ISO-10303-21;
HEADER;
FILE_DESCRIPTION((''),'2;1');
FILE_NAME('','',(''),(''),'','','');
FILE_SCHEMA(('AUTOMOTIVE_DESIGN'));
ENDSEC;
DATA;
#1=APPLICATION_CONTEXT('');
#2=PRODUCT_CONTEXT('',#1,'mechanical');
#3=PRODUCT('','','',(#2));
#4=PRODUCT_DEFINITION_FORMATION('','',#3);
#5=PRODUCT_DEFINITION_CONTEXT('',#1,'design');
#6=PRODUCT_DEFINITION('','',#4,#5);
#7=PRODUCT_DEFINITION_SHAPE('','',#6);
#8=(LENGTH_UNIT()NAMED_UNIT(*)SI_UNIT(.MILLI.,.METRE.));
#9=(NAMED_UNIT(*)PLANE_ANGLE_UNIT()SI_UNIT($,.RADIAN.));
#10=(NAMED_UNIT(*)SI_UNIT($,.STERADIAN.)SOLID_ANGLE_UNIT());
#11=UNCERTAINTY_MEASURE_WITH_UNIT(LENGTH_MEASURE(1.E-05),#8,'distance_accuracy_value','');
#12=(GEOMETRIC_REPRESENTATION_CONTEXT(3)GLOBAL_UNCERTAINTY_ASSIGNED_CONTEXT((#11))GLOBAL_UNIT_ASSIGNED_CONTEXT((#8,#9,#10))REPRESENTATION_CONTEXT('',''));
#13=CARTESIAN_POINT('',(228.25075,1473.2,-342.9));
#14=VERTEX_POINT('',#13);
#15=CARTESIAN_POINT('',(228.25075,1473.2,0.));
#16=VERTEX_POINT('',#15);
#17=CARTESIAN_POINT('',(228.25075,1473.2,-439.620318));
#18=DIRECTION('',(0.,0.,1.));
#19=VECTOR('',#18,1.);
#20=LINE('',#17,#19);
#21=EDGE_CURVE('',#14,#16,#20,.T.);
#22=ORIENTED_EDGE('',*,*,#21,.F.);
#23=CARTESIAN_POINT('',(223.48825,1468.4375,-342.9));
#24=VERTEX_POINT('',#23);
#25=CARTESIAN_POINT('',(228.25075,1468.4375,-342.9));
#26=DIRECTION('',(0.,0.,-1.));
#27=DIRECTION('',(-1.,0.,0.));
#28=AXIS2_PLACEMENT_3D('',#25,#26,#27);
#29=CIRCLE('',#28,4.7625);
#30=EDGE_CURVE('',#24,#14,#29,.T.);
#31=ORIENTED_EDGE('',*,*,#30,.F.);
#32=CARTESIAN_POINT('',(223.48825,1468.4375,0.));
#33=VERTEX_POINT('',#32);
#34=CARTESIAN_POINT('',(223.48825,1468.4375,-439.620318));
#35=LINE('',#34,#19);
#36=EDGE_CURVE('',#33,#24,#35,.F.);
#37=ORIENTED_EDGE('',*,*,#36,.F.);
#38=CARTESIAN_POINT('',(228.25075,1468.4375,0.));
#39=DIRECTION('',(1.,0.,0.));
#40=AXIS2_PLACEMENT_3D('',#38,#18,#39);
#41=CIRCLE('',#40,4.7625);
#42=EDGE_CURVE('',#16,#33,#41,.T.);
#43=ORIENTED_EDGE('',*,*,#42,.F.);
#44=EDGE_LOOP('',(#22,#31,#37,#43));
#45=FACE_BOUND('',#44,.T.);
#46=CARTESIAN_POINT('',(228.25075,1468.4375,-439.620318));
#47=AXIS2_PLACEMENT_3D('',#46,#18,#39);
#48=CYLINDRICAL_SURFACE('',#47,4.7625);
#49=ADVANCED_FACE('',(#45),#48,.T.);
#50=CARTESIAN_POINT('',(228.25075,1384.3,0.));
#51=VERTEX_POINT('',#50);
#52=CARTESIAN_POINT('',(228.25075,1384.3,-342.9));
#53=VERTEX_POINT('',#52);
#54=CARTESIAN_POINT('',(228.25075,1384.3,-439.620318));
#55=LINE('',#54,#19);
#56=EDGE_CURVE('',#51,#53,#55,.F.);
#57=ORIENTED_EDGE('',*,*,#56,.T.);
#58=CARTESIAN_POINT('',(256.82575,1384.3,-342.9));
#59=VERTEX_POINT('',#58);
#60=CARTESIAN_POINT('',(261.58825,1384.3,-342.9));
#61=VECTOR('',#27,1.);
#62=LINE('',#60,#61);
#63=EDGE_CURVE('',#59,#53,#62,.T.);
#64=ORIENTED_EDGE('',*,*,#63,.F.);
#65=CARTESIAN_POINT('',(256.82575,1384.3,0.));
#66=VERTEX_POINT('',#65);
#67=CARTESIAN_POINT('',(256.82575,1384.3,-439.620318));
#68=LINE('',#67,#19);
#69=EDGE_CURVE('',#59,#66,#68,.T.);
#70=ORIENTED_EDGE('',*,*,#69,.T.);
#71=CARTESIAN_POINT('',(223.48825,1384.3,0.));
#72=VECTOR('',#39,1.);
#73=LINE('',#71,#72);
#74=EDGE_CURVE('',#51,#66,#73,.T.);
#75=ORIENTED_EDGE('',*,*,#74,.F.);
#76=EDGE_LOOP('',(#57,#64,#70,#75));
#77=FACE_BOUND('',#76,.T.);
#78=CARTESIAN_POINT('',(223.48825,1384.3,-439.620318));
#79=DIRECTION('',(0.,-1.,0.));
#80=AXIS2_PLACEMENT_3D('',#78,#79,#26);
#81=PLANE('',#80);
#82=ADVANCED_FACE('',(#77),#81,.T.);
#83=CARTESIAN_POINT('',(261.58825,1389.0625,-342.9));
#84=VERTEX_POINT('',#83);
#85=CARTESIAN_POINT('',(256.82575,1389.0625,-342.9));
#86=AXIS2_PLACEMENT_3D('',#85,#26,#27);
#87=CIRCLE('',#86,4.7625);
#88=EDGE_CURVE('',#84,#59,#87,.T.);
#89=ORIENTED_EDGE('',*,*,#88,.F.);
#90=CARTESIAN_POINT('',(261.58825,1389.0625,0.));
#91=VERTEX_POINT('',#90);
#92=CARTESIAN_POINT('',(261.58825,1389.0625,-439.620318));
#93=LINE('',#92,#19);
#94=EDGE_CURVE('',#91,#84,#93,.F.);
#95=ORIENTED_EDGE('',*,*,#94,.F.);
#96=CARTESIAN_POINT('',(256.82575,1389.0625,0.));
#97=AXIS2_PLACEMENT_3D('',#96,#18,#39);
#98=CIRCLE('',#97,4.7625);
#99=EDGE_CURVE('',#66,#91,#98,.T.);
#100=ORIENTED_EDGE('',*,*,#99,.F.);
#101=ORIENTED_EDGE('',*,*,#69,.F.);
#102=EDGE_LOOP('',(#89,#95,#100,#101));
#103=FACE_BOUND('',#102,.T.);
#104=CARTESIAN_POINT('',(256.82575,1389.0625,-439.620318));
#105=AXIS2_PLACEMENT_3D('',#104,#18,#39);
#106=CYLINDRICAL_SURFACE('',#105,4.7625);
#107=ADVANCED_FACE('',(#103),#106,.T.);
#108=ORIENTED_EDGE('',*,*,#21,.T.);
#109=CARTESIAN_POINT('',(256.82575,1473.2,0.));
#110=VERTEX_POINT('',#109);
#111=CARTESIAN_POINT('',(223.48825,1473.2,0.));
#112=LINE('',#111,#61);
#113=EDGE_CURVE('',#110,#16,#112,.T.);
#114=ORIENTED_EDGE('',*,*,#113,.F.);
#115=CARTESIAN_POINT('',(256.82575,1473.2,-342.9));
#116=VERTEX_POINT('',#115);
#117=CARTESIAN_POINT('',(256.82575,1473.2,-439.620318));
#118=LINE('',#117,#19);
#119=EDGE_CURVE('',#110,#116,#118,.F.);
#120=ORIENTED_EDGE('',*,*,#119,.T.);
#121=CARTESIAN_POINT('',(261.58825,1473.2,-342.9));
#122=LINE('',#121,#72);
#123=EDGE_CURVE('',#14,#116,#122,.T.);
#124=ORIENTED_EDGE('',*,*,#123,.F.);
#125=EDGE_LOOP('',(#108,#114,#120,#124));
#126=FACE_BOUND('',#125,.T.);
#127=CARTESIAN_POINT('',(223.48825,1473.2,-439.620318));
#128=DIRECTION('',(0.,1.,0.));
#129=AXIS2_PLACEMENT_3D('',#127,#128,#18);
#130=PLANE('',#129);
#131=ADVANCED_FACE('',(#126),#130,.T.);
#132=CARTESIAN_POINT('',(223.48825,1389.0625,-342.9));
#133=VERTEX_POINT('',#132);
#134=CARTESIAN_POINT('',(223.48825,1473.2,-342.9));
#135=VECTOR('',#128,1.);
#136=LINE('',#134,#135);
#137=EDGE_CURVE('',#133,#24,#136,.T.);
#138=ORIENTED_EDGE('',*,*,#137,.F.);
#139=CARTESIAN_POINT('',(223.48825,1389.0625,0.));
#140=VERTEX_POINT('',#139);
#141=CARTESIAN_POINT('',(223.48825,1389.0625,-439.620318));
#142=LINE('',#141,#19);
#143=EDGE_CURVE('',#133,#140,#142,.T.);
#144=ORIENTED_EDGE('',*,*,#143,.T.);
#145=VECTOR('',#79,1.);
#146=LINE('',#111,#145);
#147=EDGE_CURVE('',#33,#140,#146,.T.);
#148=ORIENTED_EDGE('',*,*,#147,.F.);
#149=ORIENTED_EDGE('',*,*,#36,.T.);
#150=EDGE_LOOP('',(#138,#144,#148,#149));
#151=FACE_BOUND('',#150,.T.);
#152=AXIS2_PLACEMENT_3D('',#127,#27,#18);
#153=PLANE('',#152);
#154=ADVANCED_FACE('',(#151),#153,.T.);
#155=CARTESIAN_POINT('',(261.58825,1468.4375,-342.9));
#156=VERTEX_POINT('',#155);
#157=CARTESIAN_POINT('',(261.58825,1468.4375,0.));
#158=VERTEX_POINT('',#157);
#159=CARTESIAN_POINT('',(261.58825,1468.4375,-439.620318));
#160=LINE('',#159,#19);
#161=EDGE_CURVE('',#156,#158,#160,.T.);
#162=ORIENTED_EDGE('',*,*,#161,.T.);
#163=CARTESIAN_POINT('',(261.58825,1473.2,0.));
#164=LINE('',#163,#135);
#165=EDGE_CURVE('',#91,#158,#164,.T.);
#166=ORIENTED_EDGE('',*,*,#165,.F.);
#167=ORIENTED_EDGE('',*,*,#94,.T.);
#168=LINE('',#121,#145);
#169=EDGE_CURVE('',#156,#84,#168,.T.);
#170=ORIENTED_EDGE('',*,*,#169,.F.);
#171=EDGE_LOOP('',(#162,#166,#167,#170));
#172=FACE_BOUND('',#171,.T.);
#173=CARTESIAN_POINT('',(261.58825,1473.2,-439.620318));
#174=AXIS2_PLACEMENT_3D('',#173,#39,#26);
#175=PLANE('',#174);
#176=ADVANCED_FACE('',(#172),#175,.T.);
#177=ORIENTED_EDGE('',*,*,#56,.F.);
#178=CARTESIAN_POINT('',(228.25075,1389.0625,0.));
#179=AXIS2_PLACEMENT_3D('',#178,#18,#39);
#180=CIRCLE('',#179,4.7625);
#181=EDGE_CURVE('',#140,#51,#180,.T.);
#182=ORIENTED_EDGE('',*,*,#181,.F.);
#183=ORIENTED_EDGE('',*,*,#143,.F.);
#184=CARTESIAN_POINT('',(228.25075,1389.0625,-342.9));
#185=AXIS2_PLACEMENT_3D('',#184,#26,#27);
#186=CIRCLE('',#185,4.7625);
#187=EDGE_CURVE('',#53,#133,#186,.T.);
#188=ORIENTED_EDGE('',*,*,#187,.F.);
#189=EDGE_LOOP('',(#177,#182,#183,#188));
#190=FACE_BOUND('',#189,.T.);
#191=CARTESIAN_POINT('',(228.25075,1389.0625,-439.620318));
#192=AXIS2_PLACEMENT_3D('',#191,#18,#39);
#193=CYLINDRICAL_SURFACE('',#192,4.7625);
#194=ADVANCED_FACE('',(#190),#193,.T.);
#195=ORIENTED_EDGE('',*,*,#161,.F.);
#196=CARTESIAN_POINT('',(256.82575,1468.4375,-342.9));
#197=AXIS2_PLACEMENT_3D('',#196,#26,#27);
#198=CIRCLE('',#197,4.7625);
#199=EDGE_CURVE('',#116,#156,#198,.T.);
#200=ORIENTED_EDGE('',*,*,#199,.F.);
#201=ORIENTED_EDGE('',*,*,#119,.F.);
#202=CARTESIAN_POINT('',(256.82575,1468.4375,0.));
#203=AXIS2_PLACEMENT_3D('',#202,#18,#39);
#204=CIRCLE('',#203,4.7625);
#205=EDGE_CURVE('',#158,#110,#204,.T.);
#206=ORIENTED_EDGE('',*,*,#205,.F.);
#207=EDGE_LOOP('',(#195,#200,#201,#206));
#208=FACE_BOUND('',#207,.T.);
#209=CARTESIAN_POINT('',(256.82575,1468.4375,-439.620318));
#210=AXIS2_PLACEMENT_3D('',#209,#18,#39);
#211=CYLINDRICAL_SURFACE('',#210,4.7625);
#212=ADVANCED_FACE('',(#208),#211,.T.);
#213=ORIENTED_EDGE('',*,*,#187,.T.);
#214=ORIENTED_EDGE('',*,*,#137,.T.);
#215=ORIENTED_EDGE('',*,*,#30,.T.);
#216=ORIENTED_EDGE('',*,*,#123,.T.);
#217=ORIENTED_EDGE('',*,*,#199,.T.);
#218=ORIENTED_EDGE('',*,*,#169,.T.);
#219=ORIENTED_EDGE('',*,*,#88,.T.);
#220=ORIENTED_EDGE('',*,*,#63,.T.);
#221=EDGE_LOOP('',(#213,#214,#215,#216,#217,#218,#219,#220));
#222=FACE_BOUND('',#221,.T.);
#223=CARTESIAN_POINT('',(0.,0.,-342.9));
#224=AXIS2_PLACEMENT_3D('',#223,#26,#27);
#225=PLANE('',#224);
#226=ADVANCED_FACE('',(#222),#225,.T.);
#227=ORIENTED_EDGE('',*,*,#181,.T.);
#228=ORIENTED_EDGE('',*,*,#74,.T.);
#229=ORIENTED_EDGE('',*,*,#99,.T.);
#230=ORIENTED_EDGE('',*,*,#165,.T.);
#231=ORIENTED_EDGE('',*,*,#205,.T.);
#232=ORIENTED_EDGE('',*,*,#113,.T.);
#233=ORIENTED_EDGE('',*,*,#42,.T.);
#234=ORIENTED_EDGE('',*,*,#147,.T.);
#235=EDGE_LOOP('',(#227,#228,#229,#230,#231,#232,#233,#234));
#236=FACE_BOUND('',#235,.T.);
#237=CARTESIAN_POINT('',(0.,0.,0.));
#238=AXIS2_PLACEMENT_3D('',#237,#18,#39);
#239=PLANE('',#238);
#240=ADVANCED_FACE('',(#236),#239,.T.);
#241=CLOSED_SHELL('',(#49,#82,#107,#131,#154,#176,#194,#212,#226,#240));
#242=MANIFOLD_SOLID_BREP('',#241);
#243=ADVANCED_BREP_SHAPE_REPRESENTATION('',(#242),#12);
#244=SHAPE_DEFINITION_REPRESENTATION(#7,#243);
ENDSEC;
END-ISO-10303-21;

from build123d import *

# Parameters (mm, degrees)
SKETCH1_W           = 38.1
SKETCH1_H           = 88.9
BOSS_EXTRUDE1_DEPTH = 342.9
FILLET1_R           = 4.7625


with BuildPart() as part:
    # Sketch1 → Boss-Extrude1 (new body)
    with BuildSketch(Plane.XY):
        with Locations((242.53825, 1428.75)):
            Rectangle(SKETCH1_W, SKETCH1_H)
    extrude(amount=-BOSS_EXTRUDE1_DEPTH)

    # Fillet1
    fillet1_edges = [part.edges().sort_by_distance(p)[0] for p in [
        (261.58825, 1384.3, -171.45),
        (261.58825, 1473.2, -171.45),
        (223.48825, 1473.2, -171.45),
        (223.48825, 1384.3, -171.45),
    ]]
    fillet(fillet1_edges, radius=FILLET1_R)


solid = part.part
